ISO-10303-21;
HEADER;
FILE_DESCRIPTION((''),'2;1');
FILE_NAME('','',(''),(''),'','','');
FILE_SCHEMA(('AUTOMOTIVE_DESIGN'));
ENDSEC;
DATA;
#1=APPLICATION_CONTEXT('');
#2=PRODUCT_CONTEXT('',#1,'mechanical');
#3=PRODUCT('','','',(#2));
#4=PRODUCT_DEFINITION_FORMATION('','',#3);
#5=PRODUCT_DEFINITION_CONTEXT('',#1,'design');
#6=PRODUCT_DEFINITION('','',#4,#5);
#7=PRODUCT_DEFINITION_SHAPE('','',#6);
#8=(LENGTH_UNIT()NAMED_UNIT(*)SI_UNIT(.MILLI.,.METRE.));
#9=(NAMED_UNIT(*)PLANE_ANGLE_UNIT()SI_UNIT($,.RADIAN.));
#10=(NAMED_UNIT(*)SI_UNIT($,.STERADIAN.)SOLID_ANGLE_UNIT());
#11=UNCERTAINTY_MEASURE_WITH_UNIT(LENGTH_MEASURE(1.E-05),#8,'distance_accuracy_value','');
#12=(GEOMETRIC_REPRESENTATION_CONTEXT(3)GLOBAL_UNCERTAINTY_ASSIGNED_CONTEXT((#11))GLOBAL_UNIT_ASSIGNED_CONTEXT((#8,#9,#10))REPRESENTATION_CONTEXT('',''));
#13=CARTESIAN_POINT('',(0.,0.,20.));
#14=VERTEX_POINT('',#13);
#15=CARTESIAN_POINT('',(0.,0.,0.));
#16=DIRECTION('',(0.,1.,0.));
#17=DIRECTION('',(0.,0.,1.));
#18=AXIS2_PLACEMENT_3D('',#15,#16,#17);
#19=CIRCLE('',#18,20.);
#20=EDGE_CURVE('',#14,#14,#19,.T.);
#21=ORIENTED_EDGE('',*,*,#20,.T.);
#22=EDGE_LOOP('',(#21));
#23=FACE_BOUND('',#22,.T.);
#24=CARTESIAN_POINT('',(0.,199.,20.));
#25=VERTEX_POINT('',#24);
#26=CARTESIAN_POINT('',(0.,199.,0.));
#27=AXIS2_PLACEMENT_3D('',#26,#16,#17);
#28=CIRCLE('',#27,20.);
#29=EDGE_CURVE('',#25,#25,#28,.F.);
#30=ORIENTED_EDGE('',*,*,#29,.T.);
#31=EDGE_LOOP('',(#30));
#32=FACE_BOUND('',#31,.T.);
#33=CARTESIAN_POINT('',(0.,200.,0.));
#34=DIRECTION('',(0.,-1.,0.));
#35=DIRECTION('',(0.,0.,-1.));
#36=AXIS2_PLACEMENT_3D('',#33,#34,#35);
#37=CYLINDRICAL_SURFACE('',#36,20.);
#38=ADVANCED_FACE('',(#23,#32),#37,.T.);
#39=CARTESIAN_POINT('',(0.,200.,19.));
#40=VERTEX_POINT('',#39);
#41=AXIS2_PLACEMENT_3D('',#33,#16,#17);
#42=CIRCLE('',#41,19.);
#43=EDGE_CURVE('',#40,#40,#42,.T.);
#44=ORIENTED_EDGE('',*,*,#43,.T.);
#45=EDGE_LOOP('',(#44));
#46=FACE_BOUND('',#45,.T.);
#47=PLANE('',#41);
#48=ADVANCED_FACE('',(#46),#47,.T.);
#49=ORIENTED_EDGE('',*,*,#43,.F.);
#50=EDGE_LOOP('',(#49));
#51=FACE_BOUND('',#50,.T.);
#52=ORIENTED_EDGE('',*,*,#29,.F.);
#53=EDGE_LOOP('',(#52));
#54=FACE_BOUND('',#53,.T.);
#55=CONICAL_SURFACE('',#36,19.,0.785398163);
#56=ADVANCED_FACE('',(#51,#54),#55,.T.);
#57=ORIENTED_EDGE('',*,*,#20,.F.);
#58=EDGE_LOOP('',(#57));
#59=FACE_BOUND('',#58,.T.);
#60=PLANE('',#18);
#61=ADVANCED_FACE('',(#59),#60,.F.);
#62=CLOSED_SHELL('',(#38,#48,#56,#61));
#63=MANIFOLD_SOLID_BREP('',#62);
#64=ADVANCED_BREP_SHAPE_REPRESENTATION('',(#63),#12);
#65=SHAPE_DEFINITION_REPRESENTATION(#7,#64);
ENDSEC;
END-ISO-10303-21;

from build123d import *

# Parameters (mm, degrees)
SKETCH1_R           = 20
BOSS_EXTRUDE1_DEPTH = 200
CHAMFER1_SIZE       = 1


with BuildPart() as part:
    # Sketch1 → Boss-Extrude1 (new body)
    with BuildSketch(Plane(origin=(0, 0, 0), x_dir=(1, 0, 0), z_dir=(0, 1, 0))):
        Circle(SKETCH1_R)
    extrude(amount=BOSS_EXTRUDE1_DEPTH)

    # Chamfer1
    chamfer1_edges = [part.edges().sort_by_distance(p)[0] for p in [
        (-20, 200, 0),
    ]]
    chamfer(chamfer1_edges, length=CHAMFER1_SIZE)


solid = part.part
